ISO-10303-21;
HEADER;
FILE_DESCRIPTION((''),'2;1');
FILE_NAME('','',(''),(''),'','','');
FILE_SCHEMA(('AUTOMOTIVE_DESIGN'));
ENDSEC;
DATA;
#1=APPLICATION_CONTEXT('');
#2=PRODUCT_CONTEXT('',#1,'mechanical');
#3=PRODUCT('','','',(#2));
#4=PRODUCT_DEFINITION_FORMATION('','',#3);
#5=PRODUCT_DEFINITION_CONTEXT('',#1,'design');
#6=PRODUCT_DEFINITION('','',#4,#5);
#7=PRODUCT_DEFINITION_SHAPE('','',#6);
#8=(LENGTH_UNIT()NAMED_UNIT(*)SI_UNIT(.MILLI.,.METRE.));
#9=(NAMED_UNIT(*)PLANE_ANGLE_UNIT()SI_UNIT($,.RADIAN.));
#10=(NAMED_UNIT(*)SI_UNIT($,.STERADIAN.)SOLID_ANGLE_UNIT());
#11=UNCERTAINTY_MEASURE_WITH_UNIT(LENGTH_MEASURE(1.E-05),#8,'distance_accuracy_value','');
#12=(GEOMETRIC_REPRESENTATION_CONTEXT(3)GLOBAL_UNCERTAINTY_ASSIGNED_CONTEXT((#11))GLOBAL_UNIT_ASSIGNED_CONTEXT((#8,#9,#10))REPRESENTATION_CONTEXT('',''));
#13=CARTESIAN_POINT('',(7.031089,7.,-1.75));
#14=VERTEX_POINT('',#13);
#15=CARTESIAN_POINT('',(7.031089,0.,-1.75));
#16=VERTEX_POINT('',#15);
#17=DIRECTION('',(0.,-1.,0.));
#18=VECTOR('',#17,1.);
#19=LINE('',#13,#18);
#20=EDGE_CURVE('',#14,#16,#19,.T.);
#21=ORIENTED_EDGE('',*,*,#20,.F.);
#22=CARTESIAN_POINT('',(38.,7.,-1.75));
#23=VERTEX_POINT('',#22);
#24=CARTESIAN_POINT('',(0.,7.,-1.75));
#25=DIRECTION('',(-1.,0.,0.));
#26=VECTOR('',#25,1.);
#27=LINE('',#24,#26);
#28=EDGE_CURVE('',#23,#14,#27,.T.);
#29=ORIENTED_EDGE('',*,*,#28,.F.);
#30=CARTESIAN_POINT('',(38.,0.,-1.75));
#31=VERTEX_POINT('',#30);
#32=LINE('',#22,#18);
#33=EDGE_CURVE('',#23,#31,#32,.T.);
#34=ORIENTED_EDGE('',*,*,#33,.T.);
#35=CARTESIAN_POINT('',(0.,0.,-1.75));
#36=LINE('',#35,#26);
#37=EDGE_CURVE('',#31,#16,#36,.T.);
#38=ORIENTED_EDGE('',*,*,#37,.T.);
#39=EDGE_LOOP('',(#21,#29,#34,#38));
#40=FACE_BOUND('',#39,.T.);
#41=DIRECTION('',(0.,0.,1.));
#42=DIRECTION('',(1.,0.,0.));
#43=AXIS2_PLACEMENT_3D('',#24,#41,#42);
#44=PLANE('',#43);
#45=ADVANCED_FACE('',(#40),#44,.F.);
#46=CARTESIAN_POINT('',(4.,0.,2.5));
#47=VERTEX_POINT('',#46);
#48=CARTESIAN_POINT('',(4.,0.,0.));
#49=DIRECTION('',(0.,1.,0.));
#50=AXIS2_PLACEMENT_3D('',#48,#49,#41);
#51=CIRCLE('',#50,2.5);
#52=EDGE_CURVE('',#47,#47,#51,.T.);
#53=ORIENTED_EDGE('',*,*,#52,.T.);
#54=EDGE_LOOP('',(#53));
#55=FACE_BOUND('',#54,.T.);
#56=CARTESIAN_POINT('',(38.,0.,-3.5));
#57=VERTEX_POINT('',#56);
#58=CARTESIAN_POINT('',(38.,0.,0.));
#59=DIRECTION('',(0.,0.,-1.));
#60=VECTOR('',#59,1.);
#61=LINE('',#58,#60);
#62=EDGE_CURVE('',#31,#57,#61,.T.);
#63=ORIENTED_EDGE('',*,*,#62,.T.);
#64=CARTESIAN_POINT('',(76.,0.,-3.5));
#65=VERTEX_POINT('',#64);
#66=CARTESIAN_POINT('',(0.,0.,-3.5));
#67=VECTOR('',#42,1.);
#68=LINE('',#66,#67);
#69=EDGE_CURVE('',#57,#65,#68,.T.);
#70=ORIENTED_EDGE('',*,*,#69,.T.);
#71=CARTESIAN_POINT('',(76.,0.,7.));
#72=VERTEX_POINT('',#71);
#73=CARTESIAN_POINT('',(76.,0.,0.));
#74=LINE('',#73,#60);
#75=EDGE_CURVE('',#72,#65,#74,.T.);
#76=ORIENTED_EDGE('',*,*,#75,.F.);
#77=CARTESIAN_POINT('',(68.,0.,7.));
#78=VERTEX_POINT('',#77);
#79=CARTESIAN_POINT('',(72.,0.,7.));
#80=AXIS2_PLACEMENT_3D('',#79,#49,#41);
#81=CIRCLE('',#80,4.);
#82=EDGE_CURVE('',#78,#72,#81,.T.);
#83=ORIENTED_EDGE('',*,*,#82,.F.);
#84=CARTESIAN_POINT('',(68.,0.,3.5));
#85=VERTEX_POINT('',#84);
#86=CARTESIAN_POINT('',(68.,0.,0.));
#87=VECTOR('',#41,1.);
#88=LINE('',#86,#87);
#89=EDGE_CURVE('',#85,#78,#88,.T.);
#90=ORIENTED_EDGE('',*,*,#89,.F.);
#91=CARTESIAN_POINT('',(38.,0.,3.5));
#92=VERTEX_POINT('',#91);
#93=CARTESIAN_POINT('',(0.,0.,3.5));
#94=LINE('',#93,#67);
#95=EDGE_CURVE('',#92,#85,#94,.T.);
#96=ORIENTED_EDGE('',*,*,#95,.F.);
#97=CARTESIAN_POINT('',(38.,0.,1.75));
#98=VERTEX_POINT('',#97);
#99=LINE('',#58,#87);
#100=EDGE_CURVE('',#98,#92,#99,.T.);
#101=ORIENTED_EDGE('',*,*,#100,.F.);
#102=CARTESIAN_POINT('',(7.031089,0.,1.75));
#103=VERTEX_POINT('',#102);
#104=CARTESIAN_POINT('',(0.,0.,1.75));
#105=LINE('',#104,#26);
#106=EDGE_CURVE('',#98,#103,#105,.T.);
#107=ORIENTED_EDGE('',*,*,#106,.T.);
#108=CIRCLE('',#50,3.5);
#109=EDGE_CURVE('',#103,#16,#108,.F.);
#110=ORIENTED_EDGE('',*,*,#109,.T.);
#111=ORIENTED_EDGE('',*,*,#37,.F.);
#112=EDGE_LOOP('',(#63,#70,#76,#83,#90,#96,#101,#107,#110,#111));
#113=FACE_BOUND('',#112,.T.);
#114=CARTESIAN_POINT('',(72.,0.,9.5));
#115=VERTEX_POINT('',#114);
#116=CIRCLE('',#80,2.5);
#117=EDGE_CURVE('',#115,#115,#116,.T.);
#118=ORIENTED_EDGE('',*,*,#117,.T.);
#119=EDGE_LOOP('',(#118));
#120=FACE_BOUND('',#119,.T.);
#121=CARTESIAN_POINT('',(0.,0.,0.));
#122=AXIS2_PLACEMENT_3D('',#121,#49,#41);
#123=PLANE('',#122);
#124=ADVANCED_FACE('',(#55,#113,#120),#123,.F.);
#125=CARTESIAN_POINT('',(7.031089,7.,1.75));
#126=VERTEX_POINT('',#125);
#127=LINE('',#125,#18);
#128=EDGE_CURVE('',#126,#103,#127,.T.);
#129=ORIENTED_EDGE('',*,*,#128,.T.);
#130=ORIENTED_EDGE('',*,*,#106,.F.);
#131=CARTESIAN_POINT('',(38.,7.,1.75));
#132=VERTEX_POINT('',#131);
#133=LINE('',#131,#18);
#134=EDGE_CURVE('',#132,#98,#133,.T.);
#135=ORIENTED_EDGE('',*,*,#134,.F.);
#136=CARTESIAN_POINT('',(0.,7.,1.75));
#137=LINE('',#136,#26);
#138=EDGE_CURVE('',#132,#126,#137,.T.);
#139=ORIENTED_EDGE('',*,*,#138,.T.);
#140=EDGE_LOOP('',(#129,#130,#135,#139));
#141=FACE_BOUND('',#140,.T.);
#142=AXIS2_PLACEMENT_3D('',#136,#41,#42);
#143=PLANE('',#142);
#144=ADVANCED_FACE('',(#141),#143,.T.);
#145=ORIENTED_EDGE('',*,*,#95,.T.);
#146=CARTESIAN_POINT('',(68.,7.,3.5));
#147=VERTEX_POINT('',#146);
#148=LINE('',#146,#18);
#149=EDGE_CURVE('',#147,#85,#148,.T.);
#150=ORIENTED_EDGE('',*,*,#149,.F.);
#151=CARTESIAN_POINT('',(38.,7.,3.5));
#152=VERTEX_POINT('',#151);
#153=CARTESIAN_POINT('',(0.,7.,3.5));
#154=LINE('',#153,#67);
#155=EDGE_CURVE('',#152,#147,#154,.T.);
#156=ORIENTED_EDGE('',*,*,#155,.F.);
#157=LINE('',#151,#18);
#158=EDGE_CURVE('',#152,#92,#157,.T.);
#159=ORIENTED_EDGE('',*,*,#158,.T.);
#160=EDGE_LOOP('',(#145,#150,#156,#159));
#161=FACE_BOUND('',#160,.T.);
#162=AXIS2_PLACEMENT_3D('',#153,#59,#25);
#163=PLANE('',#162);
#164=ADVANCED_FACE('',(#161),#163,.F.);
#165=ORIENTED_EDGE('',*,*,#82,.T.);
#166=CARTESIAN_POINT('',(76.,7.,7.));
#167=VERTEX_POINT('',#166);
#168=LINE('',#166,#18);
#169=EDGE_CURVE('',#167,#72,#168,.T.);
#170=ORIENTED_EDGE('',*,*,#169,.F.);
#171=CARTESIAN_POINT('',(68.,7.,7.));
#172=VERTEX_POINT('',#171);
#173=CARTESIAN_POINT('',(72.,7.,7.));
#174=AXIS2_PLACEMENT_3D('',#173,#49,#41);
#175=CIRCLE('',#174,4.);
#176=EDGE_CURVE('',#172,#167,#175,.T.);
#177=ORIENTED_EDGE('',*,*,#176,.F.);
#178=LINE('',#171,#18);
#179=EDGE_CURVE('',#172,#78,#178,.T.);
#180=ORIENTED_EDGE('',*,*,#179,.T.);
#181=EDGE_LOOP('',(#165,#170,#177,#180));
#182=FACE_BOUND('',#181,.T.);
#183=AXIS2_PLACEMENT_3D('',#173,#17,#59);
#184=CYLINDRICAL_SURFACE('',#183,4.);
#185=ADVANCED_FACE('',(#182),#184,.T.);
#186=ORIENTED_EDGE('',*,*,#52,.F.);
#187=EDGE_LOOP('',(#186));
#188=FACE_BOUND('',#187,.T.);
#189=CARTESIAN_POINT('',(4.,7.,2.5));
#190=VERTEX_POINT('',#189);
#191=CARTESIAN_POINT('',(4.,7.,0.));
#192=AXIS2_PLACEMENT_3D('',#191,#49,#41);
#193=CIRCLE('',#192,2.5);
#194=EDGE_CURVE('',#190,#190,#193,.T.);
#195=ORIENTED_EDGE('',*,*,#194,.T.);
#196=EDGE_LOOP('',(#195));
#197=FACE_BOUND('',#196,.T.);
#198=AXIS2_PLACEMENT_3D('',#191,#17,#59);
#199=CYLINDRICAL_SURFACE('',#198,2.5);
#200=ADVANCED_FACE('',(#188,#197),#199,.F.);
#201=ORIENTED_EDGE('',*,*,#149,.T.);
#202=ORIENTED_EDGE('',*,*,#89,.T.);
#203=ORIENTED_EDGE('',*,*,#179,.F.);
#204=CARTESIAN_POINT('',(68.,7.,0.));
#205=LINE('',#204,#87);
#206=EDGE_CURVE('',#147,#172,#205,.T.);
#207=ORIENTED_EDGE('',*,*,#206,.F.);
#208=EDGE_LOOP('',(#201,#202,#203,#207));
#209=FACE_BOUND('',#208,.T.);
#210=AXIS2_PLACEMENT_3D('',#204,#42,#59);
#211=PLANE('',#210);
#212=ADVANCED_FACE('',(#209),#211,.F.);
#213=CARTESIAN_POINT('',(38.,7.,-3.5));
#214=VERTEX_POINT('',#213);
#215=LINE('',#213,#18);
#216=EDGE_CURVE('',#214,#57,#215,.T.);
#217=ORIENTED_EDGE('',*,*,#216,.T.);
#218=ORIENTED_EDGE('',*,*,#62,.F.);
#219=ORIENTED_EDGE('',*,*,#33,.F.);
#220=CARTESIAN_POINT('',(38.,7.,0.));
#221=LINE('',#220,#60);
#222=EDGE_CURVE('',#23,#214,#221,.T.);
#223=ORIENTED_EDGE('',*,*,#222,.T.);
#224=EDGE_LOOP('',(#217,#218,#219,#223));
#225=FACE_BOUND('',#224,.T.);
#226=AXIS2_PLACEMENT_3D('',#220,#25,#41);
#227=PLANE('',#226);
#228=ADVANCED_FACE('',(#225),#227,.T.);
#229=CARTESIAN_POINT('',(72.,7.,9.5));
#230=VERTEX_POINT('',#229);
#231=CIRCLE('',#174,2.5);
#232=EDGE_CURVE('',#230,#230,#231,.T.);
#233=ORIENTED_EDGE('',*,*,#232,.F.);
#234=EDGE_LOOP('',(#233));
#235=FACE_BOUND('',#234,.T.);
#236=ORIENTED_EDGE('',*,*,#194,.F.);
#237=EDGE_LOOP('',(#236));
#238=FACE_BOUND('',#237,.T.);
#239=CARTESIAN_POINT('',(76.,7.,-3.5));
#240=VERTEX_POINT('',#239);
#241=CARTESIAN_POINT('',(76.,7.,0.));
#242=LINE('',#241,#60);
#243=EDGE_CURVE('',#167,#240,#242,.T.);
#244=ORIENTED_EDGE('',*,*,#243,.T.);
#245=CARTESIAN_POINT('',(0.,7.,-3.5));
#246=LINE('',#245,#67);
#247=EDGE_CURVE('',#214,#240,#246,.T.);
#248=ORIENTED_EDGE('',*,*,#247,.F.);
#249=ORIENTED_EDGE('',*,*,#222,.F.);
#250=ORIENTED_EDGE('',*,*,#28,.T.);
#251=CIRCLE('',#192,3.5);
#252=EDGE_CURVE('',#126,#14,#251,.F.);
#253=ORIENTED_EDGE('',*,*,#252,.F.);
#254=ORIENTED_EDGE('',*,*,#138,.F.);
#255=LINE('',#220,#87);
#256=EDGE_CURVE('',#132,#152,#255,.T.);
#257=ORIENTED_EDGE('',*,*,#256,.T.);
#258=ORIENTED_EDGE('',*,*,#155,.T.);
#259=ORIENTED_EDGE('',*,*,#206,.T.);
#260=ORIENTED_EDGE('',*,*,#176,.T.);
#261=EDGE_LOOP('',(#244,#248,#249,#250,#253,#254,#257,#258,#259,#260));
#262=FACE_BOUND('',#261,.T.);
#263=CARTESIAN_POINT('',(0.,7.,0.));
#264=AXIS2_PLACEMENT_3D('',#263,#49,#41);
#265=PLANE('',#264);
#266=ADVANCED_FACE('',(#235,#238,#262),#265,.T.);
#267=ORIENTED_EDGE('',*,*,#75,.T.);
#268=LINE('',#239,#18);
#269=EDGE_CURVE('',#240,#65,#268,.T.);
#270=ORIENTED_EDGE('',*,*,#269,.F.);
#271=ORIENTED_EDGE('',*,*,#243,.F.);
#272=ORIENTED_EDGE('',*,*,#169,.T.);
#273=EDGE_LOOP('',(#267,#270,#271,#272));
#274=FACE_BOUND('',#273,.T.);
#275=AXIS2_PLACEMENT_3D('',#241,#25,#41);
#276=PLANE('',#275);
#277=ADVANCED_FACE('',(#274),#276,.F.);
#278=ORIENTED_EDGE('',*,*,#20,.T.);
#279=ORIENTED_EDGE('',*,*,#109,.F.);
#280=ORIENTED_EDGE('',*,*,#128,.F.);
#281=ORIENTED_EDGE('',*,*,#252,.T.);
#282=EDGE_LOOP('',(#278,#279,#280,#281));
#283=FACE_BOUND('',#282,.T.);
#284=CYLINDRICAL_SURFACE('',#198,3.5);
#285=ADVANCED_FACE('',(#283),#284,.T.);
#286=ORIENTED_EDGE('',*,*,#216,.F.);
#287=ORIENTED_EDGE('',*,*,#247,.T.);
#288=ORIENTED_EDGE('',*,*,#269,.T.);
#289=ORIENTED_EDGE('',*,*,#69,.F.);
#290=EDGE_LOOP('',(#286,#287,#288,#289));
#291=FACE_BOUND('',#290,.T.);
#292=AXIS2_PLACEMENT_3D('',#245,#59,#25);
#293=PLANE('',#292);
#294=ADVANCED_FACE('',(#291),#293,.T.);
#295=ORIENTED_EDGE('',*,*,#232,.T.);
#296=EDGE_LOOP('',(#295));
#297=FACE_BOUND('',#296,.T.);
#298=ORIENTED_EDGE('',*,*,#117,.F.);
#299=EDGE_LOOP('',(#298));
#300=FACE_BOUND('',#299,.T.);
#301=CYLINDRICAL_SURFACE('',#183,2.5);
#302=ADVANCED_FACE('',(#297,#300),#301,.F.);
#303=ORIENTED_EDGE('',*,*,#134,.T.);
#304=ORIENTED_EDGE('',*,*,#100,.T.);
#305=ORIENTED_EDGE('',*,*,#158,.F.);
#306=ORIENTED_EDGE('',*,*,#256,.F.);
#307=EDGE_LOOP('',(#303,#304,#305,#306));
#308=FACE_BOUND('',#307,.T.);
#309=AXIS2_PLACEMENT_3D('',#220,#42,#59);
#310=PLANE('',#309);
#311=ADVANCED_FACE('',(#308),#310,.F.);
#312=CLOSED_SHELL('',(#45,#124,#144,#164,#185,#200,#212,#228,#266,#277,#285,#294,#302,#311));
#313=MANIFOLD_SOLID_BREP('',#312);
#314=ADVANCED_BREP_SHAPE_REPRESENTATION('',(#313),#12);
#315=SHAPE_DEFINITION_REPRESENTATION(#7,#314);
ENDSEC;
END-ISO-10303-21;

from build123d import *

# Parameters (mm, degrees)
SKETCH1_R           = 2.5
BOSS_EXTRUDE1_DEPTH = 7


with BuildPart() as part:
    # Sketch1 → Boss-Extrude1 (new body)
    with BuildSketch(Plane(origin=(0, 0, 0), x_dir=(1, 0, 0), z_dir=(0, 1, 0))):
        with BuildLine():
            Line((68, 3.5), (38, 3.5))
            Line((38, 3.5), (38, 1.75))
            Line((38, 1.75), (7.031088913, 1.75))
            ThreePointArc((7.031088913, 1.75), (0.5, 0), (7.031088913, -1.75))
            Line((7.031088913, -1.75), (38, -1.75))
            Line((38, -1.75), (38, -3.5))
            Line((38, -3.5), (68, -3.5))
            Line((68, -3.5), (68, -7))
            ThreePointArc((68, -7), (72, -11), (76, -7))
            Line((76, -7), (76, 3.5))
            Line((76, 3.5), (68, 3.5))
        make_face()
        with Locations(Location((72, -7, 0), (0, 0, 270))):
            Circle(SKETCH1_R, mode=Mode.SUBTRACT)
        with Locations(Location((4, 0, 0), (0, 0, 270))):
            Circle(SKETCH1_R, mode=Mode.SUBTRACT)
    extrude(amount=BOSS_EXTRUDE1_DEPTH)


solid = part.part
